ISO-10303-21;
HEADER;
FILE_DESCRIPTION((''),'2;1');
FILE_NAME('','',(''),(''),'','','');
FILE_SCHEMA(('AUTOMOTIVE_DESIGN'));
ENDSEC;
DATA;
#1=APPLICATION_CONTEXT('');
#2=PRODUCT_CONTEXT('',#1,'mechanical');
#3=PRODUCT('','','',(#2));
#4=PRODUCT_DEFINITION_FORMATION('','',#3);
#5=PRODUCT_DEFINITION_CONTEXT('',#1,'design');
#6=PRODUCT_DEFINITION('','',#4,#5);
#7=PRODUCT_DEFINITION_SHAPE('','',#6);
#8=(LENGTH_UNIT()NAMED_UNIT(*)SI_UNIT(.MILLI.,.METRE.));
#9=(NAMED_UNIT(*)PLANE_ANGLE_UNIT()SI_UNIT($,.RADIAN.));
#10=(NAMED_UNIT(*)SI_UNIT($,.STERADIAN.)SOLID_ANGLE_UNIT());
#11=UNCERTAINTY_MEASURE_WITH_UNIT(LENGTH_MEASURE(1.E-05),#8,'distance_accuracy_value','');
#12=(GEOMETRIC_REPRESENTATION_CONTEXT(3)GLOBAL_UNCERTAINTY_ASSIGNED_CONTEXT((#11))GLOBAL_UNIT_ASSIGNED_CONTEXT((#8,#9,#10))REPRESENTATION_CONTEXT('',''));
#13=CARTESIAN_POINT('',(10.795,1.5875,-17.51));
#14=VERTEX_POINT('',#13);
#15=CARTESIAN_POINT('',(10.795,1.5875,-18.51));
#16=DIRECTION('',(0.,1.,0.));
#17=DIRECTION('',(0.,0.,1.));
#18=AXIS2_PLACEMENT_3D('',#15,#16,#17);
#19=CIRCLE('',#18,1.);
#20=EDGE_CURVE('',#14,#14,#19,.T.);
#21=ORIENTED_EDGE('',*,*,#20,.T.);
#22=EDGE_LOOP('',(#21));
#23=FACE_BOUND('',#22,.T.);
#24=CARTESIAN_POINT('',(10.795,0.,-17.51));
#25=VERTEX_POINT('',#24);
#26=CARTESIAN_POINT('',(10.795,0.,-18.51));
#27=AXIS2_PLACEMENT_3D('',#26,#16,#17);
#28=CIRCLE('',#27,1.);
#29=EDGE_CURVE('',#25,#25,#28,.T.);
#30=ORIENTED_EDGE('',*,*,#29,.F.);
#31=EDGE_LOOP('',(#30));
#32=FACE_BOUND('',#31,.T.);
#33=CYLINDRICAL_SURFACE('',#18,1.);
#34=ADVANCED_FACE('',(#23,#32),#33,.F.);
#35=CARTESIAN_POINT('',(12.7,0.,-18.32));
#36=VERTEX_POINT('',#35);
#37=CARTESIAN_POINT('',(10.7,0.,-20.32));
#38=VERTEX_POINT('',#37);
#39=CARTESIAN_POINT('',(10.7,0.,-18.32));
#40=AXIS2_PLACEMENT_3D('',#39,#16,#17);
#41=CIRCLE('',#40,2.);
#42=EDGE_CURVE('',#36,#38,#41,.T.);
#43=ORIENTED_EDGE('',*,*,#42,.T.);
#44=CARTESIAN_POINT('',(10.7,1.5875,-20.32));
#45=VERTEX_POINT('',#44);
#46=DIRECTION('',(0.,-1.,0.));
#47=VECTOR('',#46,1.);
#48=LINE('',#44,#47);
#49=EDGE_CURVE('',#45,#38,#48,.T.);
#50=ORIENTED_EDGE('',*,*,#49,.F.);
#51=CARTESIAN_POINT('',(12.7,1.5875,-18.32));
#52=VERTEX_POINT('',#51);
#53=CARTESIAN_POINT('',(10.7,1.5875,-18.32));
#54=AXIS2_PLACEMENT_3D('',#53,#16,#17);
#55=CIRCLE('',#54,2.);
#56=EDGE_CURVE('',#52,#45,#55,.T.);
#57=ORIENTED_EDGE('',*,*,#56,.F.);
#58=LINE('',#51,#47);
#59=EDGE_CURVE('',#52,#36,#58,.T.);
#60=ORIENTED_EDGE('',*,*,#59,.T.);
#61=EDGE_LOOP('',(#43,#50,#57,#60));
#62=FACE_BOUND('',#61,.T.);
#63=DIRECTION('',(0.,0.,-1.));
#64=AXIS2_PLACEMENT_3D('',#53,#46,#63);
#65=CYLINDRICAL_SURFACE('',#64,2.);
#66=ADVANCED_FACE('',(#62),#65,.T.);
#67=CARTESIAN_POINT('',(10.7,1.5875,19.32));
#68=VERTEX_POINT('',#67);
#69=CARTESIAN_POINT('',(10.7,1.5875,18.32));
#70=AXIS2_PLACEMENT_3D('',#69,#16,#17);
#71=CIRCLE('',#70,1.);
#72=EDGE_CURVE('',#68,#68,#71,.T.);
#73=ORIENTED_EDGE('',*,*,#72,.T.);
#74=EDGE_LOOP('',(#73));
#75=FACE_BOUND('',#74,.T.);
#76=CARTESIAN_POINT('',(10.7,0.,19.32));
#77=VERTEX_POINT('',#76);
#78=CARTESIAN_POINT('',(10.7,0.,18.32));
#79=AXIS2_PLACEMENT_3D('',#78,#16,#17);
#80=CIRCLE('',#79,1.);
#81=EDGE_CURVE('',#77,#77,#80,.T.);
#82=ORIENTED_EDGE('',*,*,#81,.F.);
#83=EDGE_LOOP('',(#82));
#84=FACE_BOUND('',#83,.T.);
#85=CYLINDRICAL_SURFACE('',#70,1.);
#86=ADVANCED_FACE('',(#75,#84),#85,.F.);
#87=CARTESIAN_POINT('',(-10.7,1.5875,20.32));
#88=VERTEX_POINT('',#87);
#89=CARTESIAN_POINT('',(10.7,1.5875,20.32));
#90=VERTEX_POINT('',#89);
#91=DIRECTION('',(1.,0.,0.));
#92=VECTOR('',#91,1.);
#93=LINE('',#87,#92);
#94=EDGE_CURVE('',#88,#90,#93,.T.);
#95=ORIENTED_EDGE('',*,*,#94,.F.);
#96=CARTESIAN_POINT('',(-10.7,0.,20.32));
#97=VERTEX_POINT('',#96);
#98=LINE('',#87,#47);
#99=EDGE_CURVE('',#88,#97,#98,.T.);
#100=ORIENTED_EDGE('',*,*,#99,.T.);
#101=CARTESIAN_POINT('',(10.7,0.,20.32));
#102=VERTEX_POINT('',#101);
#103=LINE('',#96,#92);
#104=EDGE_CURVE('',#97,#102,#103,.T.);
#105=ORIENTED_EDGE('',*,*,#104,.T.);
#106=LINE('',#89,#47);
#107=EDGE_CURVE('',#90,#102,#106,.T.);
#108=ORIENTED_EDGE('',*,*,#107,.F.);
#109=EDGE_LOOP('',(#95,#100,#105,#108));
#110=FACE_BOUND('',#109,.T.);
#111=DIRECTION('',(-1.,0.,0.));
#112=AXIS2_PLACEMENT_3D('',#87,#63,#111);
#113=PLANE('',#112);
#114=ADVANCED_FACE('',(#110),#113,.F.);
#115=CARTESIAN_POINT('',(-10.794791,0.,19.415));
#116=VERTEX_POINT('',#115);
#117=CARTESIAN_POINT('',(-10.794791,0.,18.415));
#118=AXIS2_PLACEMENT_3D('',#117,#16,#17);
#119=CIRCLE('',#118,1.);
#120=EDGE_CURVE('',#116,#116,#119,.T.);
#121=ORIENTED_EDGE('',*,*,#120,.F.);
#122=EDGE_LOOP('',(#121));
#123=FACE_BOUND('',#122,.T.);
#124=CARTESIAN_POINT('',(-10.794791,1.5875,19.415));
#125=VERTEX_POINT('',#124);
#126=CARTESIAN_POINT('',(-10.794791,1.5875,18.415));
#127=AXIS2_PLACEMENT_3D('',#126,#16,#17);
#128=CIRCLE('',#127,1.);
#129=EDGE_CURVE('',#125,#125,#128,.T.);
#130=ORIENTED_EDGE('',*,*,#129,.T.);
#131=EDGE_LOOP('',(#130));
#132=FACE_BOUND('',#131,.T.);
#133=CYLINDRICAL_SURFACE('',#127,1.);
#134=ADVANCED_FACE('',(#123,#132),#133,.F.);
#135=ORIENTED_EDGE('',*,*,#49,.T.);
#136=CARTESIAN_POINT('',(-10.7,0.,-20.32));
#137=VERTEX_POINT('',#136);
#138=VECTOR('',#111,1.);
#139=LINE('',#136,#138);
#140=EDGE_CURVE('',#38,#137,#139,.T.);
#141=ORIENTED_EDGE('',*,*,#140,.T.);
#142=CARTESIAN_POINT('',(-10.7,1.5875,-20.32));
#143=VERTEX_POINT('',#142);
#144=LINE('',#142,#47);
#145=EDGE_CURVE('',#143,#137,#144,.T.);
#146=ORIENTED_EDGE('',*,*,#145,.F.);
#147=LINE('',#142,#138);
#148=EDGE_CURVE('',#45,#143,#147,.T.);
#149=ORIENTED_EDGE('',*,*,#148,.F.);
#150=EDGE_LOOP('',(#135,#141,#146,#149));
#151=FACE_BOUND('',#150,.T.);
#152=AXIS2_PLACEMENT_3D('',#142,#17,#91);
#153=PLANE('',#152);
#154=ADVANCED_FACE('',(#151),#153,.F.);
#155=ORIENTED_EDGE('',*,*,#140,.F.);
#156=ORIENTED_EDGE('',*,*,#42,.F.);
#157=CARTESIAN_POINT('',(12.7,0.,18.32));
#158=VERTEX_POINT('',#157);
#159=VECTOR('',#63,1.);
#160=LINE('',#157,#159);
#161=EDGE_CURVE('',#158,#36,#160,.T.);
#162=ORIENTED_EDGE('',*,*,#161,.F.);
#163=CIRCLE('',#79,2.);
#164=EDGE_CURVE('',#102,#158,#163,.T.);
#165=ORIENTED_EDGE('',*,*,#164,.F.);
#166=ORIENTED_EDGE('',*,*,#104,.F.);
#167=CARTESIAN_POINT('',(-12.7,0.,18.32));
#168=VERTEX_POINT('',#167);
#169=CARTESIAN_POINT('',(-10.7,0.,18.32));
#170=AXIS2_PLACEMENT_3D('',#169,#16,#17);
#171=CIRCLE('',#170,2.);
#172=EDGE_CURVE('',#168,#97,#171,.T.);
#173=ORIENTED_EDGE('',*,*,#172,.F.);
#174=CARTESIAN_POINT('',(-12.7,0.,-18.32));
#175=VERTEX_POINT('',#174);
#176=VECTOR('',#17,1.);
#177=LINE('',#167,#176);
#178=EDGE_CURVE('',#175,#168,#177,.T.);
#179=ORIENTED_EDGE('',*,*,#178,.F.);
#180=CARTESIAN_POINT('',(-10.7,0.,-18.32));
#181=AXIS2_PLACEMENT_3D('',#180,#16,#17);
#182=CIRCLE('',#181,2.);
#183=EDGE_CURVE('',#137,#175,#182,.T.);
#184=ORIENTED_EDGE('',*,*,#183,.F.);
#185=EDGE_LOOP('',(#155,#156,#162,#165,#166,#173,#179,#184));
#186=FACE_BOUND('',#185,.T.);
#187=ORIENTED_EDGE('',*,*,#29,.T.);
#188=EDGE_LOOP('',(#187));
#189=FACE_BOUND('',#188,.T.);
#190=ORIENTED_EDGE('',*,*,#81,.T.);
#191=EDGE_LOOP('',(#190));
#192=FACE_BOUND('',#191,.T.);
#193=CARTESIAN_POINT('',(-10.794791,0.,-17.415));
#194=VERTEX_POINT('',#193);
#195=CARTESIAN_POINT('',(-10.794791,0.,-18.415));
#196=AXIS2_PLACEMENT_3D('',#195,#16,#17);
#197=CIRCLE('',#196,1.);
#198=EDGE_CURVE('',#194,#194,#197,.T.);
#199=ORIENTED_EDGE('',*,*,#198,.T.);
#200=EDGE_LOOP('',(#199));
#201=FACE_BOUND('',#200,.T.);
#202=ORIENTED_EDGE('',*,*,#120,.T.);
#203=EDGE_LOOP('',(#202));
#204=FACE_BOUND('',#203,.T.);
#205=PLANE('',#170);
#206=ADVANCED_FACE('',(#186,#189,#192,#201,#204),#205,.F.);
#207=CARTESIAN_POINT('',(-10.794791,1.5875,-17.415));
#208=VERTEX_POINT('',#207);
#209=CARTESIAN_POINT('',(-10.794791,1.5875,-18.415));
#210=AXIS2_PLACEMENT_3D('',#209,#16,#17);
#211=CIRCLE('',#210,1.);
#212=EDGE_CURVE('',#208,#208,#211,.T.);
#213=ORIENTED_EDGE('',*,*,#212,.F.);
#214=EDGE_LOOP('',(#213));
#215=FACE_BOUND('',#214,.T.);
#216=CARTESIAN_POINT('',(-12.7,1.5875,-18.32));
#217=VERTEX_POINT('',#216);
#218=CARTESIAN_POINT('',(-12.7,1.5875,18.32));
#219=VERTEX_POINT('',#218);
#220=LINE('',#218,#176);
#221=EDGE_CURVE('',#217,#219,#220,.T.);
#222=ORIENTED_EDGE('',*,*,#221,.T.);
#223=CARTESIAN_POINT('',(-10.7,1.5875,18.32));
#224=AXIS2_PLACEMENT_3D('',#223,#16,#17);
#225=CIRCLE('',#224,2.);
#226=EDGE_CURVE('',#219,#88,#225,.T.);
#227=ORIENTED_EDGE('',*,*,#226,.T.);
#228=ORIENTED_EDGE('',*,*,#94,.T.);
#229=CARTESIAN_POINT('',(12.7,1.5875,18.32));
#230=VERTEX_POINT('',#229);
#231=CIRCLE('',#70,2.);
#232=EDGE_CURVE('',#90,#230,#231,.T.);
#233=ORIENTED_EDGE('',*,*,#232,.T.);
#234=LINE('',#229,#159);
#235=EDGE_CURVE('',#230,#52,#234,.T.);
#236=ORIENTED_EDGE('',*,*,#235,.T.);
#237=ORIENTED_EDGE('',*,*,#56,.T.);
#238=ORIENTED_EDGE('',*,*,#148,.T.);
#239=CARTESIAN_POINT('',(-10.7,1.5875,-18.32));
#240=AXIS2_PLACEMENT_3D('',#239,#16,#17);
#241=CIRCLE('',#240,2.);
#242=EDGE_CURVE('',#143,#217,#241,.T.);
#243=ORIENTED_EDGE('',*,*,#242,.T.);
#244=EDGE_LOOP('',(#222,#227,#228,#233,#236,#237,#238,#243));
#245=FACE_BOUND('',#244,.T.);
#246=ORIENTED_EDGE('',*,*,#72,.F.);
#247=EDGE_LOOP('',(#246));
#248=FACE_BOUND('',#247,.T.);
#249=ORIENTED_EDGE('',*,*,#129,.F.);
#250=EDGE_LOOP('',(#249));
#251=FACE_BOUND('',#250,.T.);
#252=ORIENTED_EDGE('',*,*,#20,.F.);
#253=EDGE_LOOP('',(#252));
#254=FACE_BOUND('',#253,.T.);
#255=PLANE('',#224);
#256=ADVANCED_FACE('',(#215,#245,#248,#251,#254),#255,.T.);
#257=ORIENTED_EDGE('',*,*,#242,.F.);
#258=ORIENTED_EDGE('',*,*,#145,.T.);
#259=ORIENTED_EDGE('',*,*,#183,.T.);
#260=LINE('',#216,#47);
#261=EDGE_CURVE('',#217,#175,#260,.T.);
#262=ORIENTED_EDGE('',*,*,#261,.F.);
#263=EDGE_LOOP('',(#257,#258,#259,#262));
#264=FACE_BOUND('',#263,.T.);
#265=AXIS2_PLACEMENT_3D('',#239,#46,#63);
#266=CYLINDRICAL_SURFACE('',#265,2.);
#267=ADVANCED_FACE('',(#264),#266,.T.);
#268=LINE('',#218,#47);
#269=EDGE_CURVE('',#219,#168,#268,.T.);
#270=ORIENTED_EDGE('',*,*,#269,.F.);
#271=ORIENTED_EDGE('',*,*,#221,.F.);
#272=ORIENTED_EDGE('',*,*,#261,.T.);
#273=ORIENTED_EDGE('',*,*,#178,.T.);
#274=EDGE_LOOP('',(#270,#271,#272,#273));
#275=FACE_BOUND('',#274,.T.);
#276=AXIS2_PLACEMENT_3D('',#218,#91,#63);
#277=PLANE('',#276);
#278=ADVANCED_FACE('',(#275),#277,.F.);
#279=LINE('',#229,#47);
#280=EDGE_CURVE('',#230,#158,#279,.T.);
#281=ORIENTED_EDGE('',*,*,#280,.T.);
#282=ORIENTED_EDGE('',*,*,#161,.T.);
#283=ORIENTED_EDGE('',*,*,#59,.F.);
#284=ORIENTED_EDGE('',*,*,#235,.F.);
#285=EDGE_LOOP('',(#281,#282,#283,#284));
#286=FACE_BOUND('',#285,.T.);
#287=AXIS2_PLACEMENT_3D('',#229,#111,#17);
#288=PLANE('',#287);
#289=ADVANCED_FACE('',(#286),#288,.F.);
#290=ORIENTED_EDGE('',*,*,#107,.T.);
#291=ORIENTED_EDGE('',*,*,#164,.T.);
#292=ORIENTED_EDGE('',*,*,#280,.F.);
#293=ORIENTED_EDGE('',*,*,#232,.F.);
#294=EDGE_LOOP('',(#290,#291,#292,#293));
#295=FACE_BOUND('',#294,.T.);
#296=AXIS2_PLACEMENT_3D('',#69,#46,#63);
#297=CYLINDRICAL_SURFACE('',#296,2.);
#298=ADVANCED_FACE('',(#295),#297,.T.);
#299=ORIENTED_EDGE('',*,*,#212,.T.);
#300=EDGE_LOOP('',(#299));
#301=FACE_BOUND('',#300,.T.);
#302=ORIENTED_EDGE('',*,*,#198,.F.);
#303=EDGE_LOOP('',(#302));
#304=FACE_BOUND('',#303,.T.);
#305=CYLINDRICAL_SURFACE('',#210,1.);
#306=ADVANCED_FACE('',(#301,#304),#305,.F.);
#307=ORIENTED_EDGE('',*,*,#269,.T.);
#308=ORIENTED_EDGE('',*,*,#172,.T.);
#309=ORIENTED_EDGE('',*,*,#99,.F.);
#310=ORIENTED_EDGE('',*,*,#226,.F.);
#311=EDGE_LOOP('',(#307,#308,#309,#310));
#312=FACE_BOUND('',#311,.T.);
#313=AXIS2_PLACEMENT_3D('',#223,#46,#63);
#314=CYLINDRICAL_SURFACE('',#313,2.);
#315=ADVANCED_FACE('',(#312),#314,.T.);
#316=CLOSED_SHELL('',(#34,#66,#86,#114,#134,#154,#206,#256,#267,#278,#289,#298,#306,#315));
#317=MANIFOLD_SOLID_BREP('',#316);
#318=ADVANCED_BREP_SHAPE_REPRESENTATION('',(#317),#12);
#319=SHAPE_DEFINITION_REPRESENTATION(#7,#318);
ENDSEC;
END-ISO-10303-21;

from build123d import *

# Parameters (mm, degrees)
BOSS_EXTRUDE1_DEPTH       = 1.5875
F_2_0MM_DOWEL_HOLE1_D     = 2
F_2_0MM_DOWEL_HOLE1_DEPTH = 38.1
F_2_0MM_DOWEL_HOLE1_TIP   = 0.600860619


with BuildPart() as part:
    # Sketch1 → Boss-Extrude1 (new body)
    with BuildSketch(Plane(origin=(0, 0, 0), x_dir=(1, 0, 0), z_dir=(0, 1, 0))):
        with BuildLine():
            Line((-10.7, -20.32), (10.7, -20.32))
            ThreePointArc((10.7, -20.32), (12.114213562, -19.734213562), (12.7, -18.32))
            Line((12.7, -18.32), (12.7, 18.32))
            ThreePointArc((12.7, 18.32), (12.114213562, 19.734213562), (10.7, 20.32))
            Line((10.7, 20.32), (-10.7, 20.32))
            ThreePointArc((-10.7, 20.32), (-12.114213562, 19.734213562), (-12.7, 18.32))
            Line((-12.7, 18.32), (-12.7, -18.32))
            ThreePointArc((-12.7, -18.32), (-12.114213562, -19.734213562), (-10.7, -20.32))
        make_face()
    extrude(amount=BOSS_EXTRUDE1_DEPTH)

    # Ø2.0mm Dowel Hole1
    with Locations(Plane(origin=(0, 1.5875, 0), x_dir=(1, 0, 0), z_dir=(0, 1, 0))):
        with Locations((-10.79479099, 18.415), (10.795, 18.51), (10.7, -18.32), (-10.79479099, -18.415)):
            Hole(F_2_0MM_DOWEL_HOLE1_D / 2, depth=F_2_0MM_DOWEL_HOLE1_DEPTH)
            with Locations((0, 0, -(F_2_0MM_DOWEL_HOLE1_DEPTH + F_2_0MM_DOWEL_HOLE1_TIP / 2))):  # 118° drill point
                Cone(0, F_2_0MM_DOWEL_HOLE1_D / 2, F_2_0MM_DOWEL_HOLE1_TIP, mode=Mode.SUBTRACT)


solid = part.part
